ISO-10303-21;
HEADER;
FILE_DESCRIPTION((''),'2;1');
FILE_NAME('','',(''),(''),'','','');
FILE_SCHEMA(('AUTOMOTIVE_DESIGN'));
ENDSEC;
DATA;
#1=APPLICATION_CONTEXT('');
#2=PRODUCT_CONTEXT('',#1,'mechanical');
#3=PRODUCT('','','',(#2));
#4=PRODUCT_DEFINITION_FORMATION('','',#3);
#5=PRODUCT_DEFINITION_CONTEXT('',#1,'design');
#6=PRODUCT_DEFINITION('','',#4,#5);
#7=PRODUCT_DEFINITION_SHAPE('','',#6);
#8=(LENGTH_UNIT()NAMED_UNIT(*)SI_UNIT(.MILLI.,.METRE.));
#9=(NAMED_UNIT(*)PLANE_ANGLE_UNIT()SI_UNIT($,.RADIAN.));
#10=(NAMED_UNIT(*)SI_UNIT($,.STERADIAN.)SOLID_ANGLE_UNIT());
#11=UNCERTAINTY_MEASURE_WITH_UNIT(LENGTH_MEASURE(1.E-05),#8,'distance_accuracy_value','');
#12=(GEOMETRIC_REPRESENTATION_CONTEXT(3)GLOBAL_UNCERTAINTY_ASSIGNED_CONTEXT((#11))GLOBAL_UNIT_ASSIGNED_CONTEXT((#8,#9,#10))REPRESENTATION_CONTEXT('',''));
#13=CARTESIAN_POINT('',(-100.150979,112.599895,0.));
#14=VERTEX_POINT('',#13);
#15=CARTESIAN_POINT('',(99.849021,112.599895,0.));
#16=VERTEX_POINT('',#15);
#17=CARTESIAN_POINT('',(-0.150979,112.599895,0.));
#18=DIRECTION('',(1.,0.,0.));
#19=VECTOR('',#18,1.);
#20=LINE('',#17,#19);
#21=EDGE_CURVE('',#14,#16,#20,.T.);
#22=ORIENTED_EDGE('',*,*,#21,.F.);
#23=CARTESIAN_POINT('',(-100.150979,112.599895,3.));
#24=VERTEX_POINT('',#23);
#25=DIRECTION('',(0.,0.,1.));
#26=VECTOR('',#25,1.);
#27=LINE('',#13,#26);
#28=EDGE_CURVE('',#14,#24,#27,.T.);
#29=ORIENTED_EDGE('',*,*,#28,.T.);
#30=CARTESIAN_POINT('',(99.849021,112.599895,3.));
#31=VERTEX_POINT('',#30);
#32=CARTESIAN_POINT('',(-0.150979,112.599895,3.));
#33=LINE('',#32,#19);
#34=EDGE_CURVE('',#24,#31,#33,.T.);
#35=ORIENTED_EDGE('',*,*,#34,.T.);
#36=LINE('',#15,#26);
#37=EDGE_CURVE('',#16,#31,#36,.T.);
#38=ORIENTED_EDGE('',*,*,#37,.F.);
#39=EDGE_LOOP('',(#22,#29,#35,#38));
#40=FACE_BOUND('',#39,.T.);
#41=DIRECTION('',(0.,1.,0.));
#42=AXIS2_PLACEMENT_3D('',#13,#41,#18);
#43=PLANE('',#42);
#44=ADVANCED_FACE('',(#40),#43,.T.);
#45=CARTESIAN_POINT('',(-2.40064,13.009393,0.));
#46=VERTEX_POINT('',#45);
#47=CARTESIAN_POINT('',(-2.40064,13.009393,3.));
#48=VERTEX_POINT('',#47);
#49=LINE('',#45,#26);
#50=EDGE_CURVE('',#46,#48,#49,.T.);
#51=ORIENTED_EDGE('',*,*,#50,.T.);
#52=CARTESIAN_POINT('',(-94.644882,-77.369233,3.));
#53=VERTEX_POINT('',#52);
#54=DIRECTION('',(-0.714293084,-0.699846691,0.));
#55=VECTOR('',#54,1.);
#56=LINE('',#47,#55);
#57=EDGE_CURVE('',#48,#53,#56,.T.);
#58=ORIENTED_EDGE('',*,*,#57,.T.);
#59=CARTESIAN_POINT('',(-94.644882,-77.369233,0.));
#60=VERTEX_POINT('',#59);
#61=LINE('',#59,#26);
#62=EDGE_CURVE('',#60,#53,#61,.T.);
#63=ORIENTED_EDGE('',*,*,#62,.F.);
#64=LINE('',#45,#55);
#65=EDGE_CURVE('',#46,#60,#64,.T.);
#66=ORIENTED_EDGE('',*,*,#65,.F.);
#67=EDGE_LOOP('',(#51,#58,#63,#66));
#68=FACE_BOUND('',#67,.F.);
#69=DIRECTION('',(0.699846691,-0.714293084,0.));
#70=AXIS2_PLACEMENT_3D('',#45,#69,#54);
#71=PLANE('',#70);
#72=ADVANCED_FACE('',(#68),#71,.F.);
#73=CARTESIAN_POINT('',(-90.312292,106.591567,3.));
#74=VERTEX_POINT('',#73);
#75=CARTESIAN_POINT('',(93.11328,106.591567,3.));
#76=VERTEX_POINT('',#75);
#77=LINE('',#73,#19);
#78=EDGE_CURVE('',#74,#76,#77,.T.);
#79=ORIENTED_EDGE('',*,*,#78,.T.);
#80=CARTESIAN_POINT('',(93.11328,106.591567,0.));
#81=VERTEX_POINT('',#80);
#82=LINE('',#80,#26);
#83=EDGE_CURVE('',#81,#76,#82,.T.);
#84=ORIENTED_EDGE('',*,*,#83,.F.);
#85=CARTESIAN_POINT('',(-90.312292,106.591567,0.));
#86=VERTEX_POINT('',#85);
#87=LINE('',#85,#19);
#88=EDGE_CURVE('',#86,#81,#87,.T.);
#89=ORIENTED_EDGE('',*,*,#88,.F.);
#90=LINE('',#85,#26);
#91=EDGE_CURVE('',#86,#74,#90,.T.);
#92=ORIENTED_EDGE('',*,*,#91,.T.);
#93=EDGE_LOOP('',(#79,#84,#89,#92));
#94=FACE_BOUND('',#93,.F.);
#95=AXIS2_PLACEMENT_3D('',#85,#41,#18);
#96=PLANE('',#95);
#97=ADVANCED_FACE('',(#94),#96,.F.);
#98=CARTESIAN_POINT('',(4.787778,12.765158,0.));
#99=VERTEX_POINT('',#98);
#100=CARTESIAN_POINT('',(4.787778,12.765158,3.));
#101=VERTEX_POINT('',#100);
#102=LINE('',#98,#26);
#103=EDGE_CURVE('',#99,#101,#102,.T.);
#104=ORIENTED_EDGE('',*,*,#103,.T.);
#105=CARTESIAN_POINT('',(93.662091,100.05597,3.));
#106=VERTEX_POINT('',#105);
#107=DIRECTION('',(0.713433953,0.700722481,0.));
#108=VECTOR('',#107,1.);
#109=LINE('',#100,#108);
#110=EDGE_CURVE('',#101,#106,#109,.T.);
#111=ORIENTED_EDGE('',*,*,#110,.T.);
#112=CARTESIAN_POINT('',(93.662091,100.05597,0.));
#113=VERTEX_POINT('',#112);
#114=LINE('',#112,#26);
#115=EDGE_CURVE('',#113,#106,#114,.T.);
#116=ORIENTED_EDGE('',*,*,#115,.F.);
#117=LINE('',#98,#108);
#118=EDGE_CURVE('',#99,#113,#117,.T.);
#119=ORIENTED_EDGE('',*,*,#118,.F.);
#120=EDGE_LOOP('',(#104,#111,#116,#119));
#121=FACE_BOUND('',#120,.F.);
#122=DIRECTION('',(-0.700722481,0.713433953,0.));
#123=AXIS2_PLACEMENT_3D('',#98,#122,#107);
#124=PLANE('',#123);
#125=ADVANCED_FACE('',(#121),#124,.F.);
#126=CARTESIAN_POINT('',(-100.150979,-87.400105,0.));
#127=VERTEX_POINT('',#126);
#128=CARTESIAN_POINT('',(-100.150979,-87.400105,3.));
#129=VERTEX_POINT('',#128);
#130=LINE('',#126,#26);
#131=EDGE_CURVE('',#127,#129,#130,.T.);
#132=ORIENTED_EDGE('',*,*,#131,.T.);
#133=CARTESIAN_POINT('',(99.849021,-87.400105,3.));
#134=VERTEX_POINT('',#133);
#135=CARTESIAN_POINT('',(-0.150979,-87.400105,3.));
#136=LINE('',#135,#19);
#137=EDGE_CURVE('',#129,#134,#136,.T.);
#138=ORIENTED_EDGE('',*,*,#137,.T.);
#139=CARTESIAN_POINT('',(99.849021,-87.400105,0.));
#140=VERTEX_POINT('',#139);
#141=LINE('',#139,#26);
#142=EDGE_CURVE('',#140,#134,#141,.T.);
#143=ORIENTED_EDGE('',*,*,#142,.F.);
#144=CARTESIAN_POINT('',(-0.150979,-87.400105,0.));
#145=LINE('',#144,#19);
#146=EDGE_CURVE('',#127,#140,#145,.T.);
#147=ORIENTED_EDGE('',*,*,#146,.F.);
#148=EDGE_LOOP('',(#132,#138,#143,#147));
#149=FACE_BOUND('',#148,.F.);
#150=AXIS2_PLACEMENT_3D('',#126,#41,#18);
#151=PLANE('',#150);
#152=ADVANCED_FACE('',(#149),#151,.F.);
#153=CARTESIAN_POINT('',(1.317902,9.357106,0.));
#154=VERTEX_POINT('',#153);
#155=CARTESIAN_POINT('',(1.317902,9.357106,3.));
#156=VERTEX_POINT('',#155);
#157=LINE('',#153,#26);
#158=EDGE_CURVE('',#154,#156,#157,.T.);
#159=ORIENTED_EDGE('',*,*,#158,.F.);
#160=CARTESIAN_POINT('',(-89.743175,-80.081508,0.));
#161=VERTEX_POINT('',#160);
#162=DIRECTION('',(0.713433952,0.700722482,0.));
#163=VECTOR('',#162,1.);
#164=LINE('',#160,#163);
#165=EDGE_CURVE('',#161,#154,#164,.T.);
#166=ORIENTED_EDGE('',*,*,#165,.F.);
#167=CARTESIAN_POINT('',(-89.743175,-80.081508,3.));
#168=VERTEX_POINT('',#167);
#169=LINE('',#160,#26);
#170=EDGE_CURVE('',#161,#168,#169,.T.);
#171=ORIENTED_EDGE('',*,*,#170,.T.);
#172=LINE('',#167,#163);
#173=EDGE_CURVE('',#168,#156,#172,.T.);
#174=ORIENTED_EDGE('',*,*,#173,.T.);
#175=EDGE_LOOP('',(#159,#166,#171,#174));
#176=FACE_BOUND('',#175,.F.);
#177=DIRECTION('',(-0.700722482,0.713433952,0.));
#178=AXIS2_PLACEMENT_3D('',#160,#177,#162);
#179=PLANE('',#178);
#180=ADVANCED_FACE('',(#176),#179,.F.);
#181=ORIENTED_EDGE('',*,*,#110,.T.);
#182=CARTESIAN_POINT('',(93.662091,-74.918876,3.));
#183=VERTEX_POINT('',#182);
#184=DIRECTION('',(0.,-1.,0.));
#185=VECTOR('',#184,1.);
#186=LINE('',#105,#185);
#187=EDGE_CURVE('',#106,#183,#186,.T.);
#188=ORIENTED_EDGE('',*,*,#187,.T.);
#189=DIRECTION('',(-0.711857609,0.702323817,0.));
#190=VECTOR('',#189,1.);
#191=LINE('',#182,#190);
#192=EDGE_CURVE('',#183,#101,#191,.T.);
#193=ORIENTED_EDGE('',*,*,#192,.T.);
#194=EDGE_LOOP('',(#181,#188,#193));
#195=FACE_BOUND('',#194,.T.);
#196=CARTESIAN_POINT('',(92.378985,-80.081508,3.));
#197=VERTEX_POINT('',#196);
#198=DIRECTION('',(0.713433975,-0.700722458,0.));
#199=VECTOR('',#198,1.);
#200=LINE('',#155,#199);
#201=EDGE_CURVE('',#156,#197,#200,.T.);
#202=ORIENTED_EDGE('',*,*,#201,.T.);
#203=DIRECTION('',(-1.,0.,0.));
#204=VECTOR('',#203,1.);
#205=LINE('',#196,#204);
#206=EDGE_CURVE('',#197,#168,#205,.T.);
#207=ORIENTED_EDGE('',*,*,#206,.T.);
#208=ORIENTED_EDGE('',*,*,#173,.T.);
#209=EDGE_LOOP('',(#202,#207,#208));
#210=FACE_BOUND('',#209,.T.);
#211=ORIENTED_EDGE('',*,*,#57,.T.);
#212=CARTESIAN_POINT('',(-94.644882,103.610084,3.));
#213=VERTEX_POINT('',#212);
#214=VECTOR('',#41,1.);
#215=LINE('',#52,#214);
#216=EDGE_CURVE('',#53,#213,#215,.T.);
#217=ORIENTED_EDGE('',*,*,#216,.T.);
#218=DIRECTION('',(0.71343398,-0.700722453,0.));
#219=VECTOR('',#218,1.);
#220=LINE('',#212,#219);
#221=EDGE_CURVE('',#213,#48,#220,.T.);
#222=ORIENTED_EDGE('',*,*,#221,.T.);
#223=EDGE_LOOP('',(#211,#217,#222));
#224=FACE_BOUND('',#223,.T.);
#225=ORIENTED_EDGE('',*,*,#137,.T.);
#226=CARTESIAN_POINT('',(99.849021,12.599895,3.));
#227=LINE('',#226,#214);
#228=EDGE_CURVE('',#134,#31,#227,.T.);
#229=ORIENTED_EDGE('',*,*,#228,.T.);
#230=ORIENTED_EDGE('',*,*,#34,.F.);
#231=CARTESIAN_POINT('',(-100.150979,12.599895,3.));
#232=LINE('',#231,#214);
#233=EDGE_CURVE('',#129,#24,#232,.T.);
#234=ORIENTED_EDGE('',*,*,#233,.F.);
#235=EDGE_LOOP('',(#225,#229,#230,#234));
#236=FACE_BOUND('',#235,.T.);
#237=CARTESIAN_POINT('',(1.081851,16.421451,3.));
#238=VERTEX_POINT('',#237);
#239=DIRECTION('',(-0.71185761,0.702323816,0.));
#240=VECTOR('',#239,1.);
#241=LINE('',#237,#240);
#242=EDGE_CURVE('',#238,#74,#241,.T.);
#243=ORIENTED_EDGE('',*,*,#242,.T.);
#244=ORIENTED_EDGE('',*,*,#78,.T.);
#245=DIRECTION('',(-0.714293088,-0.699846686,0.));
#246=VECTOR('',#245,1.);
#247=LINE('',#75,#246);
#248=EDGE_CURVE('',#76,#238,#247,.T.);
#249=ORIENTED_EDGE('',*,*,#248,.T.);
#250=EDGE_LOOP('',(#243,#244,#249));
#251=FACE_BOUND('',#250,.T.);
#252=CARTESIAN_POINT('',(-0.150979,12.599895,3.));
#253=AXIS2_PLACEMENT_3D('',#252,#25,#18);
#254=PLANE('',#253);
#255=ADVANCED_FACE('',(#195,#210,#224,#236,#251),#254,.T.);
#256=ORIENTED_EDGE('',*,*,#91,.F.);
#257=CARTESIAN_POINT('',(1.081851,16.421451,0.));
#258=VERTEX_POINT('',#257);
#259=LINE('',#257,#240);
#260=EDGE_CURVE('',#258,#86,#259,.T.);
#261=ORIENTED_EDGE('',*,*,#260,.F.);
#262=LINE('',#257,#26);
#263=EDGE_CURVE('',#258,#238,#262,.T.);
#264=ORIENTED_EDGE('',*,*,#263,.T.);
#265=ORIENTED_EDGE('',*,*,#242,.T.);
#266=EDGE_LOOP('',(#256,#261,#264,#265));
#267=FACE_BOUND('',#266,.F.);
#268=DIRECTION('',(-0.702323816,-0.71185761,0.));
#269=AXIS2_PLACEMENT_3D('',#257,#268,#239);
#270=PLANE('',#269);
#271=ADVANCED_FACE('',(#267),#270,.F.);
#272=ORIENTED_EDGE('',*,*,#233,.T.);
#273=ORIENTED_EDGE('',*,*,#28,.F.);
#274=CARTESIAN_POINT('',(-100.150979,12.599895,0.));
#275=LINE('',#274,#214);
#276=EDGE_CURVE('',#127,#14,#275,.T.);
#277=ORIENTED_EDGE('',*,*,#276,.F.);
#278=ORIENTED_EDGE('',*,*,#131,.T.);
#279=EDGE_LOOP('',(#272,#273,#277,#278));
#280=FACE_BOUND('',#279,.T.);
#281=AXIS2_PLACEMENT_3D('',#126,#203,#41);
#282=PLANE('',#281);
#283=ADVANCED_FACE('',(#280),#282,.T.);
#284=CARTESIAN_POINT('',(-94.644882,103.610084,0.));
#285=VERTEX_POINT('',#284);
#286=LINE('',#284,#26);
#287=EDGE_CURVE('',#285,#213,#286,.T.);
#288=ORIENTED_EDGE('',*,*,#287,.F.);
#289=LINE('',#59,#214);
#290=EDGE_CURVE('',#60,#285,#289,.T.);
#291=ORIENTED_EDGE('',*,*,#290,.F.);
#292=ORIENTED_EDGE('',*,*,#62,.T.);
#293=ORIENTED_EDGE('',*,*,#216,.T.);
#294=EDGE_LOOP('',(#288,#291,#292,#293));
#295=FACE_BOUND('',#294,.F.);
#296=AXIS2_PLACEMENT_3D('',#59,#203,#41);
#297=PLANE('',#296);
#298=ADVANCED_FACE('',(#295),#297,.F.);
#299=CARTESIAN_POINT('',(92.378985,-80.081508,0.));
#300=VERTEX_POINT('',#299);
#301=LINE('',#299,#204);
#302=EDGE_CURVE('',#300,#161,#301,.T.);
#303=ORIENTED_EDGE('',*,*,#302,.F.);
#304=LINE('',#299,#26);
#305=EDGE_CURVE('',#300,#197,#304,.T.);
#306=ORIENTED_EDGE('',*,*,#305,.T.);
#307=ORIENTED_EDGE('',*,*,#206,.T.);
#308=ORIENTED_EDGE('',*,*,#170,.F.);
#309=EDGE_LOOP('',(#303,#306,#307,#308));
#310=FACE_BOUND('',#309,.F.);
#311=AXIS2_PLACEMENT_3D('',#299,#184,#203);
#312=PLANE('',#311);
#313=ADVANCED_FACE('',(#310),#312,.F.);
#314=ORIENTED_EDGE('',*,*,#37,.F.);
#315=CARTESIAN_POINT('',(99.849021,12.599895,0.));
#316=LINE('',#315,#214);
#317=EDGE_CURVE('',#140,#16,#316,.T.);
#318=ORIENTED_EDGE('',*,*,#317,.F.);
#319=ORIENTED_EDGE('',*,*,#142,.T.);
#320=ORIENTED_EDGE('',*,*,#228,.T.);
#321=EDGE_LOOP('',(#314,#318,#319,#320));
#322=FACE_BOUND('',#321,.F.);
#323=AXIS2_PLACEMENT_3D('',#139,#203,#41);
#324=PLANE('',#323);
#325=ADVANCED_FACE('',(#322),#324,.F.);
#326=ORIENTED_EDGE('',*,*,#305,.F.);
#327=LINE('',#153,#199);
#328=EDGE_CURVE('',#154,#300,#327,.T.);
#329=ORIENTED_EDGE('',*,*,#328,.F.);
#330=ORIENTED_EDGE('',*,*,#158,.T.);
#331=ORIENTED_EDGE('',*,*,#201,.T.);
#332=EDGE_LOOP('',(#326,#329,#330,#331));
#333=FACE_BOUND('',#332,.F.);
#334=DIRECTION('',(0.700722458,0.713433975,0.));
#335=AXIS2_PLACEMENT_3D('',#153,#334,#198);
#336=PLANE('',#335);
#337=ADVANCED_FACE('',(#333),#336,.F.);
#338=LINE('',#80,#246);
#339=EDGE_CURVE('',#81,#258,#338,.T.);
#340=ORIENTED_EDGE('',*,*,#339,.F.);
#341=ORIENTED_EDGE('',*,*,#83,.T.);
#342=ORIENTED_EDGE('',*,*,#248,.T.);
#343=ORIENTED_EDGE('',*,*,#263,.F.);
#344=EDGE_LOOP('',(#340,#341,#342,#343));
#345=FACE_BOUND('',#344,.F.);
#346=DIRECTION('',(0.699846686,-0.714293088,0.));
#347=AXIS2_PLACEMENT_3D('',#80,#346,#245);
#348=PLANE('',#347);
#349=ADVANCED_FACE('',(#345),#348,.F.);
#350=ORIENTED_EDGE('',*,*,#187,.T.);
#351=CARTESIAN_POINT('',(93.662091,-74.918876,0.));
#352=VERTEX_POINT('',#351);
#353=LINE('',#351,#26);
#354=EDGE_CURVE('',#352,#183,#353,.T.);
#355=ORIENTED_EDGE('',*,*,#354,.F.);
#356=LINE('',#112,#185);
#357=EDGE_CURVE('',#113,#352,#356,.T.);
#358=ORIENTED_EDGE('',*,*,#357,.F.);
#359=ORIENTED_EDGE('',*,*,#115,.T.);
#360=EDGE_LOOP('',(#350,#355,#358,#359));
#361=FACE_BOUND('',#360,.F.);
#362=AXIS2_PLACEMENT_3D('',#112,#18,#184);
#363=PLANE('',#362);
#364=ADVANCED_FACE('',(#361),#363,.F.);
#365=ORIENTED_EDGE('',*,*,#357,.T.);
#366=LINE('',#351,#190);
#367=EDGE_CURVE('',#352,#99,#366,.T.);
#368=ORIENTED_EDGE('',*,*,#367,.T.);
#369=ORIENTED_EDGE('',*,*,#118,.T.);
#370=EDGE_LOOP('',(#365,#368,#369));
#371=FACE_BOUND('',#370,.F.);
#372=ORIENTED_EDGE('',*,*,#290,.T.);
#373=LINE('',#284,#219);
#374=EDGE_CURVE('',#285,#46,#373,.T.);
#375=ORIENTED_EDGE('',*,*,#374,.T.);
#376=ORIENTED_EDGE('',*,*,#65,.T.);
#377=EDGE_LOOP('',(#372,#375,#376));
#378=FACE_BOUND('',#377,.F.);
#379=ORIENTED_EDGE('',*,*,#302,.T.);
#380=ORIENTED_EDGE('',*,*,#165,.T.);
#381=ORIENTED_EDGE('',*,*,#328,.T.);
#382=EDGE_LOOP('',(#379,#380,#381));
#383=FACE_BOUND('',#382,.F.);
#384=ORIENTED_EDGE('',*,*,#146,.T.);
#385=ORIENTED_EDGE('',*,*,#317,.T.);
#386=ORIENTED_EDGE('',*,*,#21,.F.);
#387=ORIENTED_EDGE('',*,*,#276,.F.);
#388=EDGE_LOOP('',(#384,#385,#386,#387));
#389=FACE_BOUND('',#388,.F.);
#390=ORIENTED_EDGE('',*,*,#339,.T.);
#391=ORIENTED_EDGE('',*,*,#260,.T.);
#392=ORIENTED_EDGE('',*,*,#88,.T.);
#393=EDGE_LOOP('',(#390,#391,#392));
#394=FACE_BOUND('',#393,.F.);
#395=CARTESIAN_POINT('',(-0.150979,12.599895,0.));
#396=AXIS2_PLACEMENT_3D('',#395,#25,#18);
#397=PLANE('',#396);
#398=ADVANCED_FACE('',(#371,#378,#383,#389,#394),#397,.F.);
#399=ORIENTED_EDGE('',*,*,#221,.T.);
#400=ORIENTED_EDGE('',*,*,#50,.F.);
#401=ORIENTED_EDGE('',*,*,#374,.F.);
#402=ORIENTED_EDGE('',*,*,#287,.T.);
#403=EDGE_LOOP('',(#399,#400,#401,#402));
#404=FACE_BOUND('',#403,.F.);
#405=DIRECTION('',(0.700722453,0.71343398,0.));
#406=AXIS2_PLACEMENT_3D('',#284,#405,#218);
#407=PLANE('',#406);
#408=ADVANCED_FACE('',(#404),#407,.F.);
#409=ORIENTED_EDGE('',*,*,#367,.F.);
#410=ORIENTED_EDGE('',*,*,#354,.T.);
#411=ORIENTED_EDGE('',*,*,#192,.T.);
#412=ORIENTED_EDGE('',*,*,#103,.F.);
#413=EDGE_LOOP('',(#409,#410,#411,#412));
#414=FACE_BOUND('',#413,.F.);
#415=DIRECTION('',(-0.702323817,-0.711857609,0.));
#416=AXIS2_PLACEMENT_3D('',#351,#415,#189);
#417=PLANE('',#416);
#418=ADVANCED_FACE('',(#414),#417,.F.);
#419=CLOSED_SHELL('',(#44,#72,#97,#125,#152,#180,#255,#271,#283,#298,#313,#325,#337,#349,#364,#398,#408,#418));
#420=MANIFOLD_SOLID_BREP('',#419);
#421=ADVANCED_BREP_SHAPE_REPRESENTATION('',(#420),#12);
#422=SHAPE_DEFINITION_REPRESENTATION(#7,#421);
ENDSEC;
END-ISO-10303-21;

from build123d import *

# Parameters (mm, degrees)
F0_W     = 200
F0_H     = 200
F1_DEPTH = 3


with BuildPart() as f1:
    # F0 (on Top) → F1 (new body)
    with BuildSketch(Plane.XY):
        with Locations((-0.150979, 12.599895)):
            Rectangle(F0_W, F0_H)
        Polygon((92.378985, -80.081508), (-89.743175, -80.081508), (1.317902, 9.357106), align=None, mode=Mode.SUBTRACT)
        Polygon((4.787778, 12.765158), (93.662091, 100.05597), (93.662091, -74.918876), align=None, mode=Mode.SUBTRACT)
        Polygon((-94.644882, -77.369233), (-94.644882, 103.610084), (-2.40064, 13.009393), align=None, mode=Mode.SUBTRACT)
        Polygon((1.081851, 16.421451), (-90.312292, 106.591567), (93.11328, 106.591567), align=None, mode=Mode.SUBTRACT)
    extrude(amount=F1_DEPTH)


solid = f1.part
